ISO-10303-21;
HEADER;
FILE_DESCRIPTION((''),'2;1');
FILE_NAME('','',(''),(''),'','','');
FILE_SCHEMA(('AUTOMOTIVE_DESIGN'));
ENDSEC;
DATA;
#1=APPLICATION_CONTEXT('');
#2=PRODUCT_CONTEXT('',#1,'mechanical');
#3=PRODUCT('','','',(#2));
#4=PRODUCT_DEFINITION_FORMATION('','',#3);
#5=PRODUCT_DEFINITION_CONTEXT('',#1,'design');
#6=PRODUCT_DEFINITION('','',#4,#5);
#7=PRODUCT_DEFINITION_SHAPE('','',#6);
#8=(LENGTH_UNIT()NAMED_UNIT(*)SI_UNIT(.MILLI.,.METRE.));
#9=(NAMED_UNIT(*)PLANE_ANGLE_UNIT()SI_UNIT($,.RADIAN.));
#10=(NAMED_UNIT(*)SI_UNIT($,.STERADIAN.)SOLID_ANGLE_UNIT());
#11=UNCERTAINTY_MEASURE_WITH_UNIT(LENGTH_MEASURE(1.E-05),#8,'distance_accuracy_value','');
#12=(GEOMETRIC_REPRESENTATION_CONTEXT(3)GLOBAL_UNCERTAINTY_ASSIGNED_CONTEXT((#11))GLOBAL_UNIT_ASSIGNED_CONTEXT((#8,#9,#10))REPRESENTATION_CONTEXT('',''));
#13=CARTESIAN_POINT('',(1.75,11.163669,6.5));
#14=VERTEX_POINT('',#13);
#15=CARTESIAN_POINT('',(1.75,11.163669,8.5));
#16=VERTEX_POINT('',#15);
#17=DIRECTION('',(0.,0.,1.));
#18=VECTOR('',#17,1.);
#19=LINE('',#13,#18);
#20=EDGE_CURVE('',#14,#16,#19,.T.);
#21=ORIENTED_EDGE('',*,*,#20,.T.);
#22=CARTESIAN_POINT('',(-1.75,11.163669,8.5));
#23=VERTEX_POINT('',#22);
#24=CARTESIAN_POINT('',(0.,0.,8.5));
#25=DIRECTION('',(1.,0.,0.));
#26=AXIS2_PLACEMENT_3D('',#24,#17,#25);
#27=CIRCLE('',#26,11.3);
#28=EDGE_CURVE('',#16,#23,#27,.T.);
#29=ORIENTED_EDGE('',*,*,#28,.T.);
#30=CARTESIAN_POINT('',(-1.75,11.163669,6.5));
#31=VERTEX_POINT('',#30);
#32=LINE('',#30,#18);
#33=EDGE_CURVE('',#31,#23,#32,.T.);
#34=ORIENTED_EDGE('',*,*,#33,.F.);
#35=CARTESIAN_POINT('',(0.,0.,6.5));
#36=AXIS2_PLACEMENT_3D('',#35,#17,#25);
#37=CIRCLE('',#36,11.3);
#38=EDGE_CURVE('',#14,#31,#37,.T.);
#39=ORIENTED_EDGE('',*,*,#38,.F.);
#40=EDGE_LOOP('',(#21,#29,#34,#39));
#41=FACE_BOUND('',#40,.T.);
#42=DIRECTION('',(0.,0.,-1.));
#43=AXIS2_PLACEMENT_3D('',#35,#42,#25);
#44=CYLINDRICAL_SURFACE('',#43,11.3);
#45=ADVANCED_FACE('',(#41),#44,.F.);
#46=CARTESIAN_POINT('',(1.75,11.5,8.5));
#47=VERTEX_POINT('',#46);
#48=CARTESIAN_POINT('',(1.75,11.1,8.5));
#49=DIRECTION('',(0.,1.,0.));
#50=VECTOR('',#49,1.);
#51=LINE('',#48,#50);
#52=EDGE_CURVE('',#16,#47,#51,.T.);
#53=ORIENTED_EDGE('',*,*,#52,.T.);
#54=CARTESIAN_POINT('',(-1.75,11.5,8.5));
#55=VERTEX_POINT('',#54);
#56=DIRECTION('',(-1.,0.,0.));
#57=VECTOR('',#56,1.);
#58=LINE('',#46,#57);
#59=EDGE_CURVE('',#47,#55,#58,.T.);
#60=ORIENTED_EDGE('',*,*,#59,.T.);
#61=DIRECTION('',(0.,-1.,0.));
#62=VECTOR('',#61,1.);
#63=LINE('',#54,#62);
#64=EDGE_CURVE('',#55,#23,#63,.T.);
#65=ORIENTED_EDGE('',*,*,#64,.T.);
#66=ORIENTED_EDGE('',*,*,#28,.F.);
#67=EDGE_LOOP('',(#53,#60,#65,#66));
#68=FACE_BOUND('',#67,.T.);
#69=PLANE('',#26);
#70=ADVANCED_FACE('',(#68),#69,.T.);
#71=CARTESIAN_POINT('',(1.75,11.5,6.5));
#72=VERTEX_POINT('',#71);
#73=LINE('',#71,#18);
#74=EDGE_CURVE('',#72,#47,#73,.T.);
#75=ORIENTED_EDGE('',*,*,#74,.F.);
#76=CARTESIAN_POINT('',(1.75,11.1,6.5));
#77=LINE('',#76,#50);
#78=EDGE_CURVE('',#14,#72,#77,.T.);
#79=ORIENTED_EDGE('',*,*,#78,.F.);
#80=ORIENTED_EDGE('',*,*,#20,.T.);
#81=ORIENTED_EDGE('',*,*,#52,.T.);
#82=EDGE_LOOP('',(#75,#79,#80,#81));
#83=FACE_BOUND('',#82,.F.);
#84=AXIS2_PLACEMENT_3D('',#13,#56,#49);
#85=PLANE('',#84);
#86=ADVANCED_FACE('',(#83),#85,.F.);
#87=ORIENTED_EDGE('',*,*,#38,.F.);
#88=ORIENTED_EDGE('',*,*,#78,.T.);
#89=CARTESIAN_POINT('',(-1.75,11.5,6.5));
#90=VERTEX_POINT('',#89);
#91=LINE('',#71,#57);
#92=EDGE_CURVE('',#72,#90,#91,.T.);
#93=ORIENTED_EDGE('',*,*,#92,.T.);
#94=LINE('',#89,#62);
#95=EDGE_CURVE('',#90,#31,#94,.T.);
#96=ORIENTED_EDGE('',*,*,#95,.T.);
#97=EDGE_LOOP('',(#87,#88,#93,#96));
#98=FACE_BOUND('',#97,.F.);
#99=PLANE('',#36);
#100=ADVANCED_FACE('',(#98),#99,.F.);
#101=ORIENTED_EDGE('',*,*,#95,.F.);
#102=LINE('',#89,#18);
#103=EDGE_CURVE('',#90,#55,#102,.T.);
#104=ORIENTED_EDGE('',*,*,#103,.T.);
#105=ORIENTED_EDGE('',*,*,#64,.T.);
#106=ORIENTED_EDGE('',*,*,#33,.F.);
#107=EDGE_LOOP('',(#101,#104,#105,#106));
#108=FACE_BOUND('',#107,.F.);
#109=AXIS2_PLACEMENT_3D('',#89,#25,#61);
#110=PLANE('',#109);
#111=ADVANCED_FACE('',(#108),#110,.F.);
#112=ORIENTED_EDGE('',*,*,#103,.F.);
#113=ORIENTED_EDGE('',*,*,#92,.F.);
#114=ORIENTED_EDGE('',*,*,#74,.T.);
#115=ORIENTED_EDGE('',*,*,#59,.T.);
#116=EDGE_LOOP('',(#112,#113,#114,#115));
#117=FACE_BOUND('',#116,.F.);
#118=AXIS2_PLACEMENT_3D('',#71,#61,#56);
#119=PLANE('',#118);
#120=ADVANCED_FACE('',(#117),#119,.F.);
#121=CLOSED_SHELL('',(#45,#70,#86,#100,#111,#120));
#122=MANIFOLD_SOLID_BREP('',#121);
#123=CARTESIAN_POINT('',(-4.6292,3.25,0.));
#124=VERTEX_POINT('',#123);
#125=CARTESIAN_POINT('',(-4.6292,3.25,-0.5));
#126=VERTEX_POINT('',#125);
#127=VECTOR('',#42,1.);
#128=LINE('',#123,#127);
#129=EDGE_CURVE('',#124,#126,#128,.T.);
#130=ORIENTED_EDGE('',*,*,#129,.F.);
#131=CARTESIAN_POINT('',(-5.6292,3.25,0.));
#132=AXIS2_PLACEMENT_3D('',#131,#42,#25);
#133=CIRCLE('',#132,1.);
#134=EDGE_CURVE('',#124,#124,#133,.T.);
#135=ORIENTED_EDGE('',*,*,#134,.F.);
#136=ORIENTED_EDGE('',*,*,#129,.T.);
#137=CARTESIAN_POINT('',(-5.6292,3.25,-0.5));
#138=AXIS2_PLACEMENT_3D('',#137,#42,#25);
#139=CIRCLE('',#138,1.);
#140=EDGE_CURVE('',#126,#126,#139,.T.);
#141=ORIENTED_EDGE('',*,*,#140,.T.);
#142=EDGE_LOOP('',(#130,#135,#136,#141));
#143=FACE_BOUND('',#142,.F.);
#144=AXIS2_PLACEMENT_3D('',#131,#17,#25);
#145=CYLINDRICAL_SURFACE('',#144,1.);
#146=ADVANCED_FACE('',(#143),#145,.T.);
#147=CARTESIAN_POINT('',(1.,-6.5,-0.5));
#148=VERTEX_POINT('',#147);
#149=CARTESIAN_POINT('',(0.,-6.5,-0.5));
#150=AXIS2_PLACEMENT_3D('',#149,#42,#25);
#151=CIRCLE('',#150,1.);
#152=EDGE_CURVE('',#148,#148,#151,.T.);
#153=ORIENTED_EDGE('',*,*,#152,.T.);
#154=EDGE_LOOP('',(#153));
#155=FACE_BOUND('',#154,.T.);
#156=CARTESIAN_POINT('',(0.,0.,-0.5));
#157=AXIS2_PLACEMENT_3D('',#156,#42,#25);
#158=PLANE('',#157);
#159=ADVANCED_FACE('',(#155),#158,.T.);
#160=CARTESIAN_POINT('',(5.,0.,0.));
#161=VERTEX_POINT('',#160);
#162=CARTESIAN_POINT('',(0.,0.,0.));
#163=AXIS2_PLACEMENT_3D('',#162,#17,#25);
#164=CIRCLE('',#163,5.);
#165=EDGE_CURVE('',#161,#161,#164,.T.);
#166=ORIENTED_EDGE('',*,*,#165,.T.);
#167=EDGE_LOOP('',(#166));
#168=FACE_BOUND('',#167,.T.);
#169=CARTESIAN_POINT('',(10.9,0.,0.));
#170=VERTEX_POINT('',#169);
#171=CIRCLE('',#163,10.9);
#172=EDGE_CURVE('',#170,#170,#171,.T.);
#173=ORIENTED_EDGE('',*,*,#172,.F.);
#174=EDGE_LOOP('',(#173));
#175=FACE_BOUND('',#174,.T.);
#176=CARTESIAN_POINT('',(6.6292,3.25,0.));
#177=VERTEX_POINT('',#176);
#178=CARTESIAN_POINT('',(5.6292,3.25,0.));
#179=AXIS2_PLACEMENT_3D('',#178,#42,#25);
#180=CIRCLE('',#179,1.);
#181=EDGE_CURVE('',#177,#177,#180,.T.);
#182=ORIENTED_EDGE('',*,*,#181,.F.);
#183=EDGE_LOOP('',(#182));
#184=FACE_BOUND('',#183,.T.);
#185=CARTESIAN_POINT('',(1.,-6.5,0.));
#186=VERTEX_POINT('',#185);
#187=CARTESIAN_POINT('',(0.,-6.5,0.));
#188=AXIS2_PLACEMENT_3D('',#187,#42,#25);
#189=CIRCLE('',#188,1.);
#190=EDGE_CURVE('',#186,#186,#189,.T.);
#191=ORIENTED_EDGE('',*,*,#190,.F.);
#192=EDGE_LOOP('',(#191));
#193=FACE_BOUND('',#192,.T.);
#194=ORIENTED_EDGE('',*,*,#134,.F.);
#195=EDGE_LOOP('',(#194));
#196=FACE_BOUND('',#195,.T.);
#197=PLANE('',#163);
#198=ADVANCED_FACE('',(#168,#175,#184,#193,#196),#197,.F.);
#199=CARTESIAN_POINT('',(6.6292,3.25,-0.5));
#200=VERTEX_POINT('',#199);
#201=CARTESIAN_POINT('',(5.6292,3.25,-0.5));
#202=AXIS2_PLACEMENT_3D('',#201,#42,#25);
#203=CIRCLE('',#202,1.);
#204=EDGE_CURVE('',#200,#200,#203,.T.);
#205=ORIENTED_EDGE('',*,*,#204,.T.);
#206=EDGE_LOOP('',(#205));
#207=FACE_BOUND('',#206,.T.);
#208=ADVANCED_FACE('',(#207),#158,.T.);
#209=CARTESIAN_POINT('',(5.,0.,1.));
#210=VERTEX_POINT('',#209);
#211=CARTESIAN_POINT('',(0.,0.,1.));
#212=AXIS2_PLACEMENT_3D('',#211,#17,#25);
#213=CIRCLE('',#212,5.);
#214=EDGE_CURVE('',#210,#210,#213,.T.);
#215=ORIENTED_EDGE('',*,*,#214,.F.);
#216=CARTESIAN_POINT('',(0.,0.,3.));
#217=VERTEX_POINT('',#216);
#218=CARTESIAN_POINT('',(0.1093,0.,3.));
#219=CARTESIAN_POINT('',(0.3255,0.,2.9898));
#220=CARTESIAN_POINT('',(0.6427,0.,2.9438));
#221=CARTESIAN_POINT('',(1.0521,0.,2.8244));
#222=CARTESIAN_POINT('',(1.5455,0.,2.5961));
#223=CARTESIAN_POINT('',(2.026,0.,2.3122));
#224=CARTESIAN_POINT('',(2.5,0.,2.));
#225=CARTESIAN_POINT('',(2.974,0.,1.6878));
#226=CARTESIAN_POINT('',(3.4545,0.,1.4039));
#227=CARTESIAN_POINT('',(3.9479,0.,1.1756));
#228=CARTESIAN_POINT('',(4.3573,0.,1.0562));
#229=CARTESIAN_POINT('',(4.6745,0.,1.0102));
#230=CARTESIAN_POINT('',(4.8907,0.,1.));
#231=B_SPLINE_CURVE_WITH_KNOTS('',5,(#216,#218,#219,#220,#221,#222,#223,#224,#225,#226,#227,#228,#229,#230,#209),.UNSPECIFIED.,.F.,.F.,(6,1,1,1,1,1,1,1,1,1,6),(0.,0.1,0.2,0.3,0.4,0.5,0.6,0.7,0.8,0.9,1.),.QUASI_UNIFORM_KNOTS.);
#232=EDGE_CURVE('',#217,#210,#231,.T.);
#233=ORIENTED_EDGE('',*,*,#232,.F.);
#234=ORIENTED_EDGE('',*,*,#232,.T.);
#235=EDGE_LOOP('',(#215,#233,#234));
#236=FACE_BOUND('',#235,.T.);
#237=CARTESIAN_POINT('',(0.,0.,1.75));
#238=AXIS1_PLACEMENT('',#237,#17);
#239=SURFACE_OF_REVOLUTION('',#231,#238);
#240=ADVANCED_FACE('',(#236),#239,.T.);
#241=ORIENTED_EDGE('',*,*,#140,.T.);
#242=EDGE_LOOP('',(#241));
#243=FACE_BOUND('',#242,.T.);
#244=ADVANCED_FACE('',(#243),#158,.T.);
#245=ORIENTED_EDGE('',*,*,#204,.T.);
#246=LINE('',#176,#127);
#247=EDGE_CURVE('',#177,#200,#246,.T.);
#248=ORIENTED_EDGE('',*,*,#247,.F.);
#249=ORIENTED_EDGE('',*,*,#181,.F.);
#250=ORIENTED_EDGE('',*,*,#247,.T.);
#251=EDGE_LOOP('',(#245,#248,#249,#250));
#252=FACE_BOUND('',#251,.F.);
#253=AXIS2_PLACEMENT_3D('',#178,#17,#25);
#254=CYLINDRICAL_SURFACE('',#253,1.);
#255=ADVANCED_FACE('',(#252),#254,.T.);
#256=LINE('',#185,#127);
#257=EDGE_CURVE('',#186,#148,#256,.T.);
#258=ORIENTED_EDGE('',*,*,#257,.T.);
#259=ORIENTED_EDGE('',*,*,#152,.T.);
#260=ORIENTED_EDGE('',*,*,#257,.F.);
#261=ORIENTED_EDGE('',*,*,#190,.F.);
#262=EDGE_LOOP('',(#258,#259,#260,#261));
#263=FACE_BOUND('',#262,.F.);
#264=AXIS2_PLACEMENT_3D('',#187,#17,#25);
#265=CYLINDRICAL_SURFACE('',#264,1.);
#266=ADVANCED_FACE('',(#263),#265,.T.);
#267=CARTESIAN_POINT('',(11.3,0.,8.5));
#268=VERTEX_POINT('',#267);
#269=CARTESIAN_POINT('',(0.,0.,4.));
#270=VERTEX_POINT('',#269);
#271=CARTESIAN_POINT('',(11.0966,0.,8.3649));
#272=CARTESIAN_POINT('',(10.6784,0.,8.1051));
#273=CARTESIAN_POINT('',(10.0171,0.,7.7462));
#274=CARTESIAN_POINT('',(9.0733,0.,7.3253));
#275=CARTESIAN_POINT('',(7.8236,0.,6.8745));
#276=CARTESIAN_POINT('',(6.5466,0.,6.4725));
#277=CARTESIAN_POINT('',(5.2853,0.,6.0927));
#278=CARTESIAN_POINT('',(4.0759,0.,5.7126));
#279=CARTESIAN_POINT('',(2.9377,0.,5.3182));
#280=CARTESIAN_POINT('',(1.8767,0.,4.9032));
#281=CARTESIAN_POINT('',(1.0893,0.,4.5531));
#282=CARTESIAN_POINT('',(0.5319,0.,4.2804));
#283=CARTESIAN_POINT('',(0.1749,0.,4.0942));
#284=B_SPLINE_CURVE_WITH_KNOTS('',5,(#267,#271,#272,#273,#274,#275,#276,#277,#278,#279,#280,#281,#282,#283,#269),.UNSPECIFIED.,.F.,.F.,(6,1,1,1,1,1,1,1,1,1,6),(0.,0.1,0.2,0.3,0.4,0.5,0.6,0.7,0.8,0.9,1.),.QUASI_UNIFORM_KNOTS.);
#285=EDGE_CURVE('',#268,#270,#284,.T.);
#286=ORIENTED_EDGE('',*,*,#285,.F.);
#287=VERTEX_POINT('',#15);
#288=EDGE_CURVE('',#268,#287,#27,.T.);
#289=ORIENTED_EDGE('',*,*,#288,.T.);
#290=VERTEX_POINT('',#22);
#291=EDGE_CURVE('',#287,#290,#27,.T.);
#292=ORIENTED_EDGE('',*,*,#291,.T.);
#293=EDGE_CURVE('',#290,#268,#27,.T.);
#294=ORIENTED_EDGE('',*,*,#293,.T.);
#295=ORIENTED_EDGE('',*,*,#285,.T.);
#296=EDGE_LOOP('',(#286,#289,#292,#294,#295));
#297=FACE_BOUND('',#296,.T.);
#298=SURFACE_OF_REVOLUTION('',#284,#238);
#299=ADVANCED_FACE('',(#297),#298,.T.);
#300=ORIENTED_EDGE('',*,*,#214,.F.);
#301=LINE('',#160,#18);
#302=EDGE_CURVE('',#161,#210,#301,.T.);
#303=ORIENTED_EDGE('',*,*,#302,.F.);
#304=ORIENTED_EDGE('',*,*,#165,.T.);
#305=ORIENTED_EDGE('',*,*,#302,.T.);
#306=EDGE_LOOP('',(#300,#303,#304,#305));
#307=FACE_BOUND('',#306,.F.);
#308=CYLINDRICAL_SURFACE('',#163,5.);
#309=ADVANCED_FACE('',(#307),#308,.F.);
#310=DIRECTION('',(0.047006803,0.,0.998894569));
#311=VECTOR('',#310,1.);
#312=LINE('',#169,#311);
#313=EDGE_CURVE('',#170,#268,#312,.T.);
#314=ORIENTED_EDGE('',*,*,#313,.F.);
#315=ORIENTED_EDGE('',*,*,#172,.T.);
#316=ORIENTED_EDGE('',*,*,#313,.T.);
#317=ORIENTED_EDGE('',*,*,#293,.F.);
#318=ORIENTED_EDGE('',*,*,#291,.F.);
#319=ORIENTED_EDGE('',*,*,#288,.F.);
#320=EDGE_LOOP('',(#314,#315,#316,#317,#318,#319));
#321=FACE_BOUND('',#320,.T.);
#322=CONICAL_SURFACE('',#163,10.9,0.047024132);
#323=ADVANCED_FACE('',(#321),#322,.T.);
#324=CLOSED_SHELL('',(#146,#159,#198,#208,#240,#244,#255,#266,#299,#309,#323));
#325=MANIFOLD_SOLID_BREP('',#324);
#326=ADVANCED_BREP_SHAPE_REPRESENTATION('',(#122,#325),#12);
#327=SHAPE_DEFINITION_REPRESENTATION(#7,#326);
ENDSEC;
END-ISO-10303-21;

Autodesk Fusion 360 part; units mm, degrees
sketch "Sketch2" plane through (0, 0, 0) normal (0, 1, 0) x (1, 0, 0)
  line L0 (5, 0) -> (10.9, 0)
  line L1 (10.9, 0) -> (11.3, -8.5)
  line L2 (5, 0) -> (5, -1)
  spline S0 degree 5 poles (0, -3) (0.1093, -3) (0.3255, -2.9898) (0.6427, -2.9438) (1.0521, -2.8244) (1.5455, -2.5961) (2.026, -2.3122) (2.5, -2) (2.974, -1.6878) (3.4545, -1.4039) (3.9479, -1.1756) (4.3573, -1.0562) (4.6745, -1.0102) (4.8907, -1) (5, -1) knots 0 0 0 0 0 0 0.1 0.2 0.3 0.4 0.5 0.6 0.7 0.8 0.9 1 1 1 1 1 1
  line L3 (-0.5, -3) -> (0.5, -3)
  line L4 (4.5, -1) -> (5.5, -1)
  line L5 (0, -4) -> (0, -3)
  spline S1 degree 5 poles (11.3, -8.5) (11.0966, -8.3649) (10.6784, -8.1051) (10.0171, -7.7462) (9.0733, -7.3253) (7.8236, -6.8745) (6.5466, -6.4725) (5.2853, -6.0927) (4.0759, -5.7126) (2.9377, -5.3182) (1.8767, -4.9032) (1.0893, -4.5531) (0.5319, -4.2804) (0.1749, -4.0942) (0, -4) knots 0 0 0 0 0 0 0.1 0.2 0.3 0.4 0.5 0.6 0.7 0.8 0.9 1 1 1 1 1 1
  line L6 (12.422, -9.2449) -> (10.178, -7.7551)
  point P0 (2.5, -2)
  point P1 (5, -6)
  dimension "d2" = 10.9
  dimension "d5" = 11.3
  dimension "d7" = 1
  dimension "d14" = 3
  dimension "d15" = 4
revolve "Revolve1" add sketch "Sketch2" angle 360 about axis through (0, 0, 1.75) along (0, 0, 1)
sketch "Sketch3" plane through (0, 0, 0) normal (0, 0, -1) x (1, 0, 0)
  circle A0 centre (0, 0) radius 5
  circle A1 centre (0, 0) radius 10.9
  circle A2 centre (0, 6.5) radius 1
  circle A3 centre (-5.6292, -3.25) radius 1
  circle A4 centre (5.6292, -3.25) radius 1
  dimension "d9" = 2
  dimension "d11" = 360
extrude "Extrude1" add sketch "Sketch3" along normal blind 0.5 contours A2 | A3 | A4
sketch "Sketch4" plane through (0, 0, 0) normal (0, 0, 1) x (1, 0, 0)
  line L0 (-1.75, 11.1) -> (1.75, 11.1)
  line L1 (1.75, 11.1) -> (1.75, 11.5)
  line L2 (1.75, 11.5) -> (-1.75, 11.5)
  line L3 (-1.75, 11.5) -> (-1.75, 11.1)
  circle A0 centre (0, 0) radius 11.3
  dimension "d16" = 3.5
  dimension "d17" = 1.75
  dimension "d18" = 11.5
extrude "Extrude2" add sketch "Sketch4" along normal blind 2 from surface at 6.5 contours L1 L2 L3 A0
equation "d2 = ( 21.8 / 2 ) * 1 mm"
equation "d5 = ( 22.6 / 2 ) * 1 mm"
equation "d17 = ( 3.5 / 2 ) * 1 mm"
equation "d18 = ( 23 / 2 ) * 1 mm"
